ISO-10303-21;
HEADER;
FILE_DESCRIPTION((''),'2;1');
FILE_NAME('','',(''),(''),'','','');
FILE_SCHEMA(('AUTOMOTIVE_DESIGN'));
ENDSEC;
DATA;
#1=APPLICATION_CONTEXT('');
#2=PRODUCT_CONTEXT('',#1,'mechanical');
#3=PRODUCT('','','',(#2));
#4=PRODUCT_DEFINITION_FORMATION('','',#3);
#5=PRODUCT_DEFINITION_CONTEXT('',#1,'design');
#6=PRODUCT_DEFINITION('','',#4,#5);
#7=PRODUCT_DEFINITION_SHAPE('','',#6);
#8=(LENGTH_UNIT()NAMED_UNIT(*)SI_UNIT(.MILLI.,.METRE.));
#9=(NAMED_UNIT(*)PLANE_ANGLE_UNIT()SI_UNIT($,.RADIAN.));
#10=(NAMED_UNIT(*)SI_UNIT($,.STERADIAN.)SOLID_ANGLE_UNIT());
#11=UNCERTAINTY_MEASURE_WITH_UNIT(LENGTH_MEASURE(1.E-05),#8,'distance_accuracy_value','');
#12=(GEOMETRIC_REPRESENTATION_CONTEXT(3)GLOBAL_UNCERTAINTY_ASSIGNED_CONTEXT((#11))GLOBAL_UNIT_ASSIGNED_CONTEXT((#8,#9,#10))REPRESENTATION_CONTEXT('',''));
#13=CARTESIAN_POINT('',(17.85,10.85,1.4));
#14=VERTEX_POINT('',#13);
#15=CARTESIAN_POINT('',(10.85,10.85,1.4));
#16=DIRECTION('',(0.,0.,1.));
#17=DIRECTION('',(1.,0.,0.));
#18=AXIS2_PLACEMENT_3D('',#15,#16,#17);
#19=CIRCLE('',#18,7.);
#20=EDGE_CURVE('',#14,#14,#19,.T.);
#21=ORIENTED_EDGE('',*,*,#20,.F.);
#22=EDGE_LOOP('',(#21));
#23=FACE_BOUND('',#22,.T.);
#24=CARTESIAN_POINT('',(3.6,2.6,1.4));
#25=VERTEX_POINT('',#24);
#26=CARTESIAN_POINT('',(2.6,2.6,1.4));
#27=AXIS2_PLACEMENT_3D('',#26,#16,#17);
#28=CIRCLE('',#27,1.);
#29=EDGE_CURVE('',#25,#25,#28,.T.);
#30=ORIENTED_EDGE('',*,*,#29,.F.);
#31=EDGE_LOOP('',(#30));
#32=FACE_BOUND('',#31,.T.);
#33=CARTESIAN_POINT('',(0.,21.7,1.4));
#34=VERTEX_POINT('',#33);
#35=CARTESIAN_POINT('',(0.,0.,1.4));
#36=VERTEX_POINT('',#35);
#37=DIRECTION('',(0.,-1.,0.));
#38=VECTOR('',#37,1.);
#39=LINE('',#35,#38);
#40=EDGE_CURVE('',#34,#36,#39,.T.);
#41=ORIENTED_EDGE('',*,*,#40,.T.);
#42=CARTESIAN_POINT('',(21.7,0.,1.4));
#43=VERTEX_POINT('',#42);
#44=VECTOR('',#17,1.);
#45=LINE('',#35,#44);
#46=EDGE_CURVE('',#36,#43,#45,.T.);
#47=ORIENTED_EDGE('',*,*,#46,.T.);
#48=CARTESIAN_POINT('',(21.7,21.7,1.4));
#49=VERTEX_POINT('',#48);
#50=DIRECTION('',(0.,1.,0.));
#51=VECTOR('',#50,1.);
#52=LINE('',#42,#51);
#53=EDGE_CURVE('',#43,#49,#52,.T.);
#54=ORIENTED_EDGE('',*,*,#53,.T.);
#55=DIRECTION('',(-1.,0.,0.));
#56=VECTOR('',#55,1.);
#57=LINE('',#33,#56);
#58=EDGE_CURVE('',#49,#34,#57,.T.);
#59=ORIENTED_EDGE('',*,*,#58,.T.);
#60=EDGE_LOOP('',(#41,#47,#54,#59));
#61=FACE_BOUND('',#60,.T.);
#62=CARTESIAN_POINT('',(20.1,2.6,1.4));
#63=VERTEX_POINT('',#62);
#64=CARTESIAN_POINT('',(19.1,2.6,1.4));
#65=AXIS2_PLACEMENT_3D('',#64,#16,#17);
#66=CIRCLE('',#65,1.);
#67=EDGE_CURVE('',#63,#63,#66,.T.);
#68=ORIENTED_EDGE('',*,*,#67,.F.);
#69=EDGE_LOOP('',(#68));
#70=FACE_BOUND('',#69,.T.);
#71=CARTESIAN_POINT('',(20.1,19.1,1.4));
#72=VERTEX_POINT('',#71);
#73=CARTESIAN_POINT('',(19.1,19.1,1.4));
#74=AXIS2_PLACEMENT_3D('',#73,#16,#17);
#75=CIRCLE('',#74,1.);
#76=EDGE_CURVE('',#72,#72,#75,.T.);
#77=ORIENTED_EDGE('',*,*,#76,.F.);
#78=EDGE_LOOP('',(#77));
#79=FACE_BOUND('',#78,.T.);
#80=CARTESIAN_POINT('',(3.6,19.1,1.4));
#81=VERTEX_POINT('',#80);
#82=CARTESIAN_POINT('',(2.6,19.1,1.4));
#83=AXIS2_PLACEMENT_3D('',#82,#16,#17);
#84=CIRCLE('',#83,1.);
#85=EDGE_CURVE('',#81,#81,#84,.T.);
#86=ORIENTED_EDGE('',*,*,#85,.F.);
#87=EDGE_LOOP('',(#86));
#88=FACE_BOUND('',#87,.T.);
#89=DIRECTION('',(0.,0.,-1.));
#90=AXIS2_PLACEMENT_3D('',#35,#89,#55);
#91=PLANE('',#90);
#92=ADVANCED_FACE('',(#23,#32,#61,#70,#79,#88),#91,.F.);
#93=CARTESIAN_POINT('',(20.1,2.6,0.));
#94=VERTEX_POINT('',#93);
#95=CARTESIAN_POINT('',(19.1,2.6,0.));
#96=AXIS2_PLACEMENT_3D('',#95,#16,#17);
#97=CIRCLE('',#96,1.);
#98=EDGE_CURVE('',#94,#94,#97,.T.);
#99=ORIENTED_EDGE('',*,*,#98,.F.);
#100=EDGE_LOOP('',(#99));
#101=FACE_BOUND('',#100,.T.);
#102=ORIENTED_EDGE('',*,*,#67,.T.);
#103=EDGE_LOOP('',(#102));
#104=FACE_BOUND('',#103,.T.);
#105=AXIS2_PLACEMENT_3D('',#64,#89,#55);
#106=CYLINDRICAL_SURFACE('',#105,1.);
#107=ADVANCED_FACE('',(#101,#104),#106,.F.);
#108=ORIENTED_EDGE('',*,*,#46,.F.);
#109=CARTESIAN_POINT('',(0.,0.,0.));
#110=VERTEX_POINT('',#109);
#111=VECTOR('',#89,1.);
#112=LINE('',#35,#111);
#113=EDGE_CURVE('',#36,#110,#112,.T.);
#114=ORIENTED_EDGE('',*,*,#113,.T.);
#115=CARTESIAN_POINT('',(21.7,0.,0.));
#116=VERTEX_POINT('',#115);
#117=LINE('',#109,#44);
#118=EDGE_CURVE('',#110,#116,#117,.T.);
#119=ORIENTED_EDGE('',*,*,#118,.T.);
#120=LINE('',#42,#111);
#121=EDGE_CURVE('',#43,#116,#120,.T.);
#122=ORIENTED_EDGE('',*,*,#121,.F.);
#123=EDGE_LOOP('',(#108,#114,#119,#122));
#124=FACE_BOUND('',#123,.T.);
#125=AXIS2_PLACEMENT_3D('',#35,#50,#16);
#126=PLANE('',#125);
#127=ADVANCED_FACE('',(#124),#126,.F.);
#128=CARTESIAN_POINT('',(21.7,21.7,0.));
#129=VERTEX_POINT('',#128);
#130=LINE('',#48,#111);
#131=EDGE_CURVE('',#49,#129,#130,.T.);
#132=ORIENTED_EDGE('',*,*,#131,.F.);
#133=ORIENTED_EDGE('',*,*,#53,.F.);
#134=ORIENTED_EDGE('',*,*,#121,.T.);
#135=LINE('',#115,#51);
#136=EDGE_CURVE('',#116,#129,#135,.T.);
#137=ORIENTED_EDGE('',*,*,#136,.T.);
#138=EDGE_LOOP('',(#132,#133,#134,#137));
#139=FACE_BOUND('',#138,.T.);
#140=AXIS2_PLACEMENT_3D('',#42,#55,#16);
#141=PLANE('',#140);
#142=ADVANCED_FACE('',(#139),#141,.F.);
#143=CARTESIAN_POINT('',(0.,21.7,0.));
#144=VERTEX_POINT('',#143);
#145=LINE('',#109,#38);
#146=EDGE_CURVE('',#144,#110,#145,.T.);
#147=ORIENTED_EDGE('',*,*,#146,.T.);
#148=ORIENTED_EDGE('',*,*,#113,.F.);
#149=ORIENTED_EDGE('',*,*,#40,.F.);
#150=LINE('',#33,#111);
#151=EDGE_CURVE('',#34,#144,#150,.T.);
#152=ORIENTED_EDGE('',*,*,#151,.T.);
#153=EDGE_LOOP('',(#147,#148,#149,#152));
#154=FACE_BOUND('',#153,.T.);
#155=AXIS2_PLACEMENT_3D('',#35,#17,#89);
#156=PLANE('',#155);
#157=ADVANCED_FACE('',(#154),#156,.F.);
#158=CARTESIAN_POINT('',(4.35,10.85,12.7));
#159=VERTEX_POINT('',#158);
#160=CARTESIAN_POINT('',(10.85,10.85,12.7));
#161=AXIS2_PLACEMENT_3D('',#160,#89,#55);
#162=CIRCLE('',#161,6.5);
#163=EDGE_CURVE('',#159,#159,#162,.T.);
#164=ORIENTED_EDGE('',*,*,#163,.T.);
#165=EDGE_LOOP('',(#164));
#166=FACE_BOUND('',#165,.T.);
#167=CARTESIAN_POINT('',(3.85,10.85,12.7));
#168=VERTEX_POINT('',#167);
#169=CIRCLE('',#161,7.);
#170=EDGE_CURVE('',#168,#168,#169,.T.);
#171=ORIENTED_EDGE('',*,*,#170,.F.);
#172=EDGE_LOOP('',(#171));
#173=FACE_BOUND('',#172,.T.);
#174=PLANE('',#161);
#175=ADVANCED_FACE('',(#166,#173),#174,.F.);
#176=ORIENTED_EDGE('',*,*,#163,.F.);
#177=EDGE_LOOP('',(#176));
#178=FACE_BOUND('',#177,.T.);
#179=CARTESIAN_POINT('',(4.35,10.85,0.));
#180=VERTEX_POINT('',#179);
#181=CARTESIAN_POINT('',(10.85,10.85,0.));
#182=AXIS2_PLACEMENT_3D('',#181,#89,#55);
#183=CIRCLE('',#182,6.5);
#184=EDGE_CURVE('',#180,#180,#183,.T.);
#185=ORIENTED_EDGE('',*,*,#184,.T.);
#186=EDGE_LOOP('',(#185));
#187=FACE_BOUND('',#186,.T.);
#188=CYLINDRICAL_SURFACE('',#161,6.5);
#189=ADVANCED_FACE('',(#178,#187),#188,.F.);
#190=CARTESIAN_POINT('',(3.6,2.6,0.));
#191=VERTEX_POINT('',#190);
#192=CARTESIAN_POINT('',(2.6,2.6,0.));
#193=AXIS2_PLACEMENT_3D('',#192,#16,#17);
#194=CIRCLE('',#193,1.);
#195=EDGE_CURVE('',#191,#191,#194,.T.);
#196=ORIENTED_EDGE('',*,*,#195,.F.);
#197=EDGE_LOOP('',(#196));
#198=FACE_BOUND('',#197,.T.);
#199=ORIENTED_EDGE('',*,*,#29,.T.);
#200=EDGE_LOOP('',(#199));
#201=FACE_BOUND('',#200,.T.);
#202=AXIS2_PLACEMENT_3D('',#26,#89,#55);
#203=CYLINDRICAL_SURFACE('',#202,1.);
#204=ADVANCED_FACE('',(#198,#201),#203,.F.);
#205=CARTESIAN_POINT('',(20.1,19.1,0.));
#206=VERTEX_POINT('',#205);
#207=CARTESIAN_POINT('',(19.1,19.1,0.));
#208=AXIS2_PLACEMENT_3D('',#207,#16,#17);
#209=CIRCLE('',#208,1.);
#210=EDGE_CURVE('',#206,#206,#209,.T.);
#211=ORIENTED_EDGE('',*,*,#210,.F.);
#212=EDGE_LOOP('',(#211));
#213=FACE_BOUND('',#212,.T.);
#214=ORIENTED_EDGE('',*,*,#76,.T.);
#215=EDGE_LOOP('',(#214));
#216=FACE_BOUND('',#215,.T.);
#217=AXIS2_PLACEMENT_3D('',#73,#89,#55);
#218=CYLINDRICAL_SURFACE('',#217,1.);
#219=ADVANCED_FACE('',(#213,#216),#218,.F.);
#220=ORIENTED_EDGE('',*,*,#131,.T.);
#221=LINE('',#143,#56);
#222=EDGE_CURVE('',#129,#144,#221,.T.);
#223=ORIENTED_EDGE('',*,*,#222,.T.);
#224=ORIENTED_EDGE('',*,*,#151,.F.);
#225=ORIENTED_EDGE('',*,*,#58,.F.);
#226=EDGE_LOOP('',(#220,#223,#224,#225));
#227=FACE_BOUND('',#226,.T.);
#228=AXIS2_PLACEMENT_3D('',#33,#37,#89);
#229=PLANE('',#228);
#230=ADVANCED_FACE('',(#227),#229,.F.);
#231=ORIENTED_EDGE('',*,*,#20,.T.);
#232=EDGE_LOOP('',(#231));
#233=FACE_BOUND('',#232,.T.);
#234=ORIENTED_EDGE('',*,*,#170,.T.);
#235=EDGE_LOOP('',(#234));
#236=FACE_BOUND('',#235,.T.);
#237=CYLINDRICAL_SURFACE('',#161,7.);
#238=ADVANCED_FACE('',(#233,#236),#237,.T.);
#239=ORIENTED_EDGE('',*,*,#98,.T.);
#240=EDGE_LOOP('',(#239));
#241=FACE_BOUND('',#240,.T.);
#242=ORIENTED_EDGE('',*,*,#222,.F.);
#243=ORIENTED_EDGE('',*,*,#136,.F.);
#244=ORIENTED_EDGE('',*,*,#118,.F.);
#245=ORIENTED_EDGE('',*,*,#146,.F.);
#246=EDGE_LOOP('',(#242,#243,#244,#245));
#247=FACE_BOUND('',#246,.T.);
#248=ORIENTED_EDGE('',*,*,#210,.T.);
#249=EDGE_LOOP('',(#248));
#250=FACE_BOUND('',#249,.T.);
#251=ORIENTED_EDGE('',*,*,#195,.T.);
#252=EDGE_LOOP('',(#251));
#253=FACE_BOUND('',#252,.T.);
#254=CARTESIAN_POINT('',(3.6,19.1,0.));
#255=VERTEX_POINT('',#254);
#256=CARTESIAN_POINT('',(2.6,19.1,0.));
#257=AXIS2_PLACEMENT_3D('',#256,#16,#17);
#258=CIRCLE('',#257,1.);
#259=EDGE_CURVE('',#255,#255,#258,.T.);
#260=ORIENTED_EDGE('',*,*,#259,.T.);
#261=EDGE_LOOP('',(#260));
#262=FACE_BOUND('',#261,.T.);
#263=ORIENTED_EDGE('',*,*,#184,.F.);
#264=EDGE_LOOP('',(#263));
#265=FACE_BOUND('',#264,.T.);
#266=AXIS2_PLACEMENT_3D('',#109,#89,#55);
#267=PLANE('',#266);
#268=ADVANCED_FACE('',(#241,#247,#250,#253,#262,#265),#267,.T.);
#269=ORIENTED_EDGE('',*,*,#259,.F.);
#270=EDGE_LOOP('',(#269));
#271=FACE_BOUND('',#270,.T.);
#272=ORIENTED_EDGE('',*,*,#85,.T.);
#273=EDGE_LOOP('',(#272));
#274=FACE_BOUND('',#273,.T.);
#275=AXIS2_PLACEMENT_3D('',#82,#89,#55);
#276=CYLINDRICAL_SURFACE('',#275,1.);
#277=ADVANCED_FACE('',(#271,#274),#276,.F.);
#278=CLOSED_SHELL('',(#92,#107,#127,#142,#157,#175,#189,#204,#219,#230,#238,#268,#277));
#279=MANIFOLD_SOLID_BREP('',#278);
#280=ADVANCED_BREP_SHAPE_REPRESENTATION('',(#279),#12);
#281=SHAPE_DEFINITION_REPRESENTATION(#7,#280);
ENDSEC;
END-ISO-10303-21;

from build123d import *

# Parameters (mm, degrees)
SKETCH_1_W        = 21.7
SKETCH_1_H        = 21.7
SKETCH_1_R        = 1
SKETCH_1_R_2      = 7
EXTRUDE_1_DEPTH   = 1.4
SKETCH_2_R        = 7
SKETCH_2_R_2      = 6.5
EXTRUDE_1_2_DEPTH = 12.7


with BuildPart() as part:
    # Эскиз1 → Extrude 1 (new body)
    with BuildSketch(Plane.XY):
        with Locations((10.85, 10.85)):
            Rectangle(SKETCH_1_W, SKETCH_1_H)
        with Locations((2.6, 19.1)):
            Circle(SKETCH_1_R, mode=Mode.SUBTRACT)
        with Locations((10.85, 10.85)):
            Circle(SKETCH_1_R_2, mode=Mode.SUBTRACT)
        with Locations((19.1, 19.1)):
            Circle(SKETCH_1_R, mode=Mode.SUBTRACT)
        with Locations((19.1, 2.6)):
            Circle(SKETCH_1_R, mode=Mode.SUBTRACT)
        with Locations((2.6, 2.6)):
            Circle(SKETCH_1_R, mode=Mode.SUBTRACT)
    extrude(amount=EXTRUDE_1_DEPTH)

    # Эскиз2 → Extrude 1 2 (add)
    with BuildSketch(Plane(origin=(0, 0, 0), x_dir=(-1, 0, 0), z_dir=(0, 0, -1))):
        with Locations((-10.85, 10.85)):
            Circle(SKETCH_2_R)
        with Locations((-10.85, 10.85)):
            Circle(SKETCH_2_R_2, mode=Mode.SUBTRACT)
    extrude(amount=-EXTRUDE_1_2_DEPTH)


solid = part.part
